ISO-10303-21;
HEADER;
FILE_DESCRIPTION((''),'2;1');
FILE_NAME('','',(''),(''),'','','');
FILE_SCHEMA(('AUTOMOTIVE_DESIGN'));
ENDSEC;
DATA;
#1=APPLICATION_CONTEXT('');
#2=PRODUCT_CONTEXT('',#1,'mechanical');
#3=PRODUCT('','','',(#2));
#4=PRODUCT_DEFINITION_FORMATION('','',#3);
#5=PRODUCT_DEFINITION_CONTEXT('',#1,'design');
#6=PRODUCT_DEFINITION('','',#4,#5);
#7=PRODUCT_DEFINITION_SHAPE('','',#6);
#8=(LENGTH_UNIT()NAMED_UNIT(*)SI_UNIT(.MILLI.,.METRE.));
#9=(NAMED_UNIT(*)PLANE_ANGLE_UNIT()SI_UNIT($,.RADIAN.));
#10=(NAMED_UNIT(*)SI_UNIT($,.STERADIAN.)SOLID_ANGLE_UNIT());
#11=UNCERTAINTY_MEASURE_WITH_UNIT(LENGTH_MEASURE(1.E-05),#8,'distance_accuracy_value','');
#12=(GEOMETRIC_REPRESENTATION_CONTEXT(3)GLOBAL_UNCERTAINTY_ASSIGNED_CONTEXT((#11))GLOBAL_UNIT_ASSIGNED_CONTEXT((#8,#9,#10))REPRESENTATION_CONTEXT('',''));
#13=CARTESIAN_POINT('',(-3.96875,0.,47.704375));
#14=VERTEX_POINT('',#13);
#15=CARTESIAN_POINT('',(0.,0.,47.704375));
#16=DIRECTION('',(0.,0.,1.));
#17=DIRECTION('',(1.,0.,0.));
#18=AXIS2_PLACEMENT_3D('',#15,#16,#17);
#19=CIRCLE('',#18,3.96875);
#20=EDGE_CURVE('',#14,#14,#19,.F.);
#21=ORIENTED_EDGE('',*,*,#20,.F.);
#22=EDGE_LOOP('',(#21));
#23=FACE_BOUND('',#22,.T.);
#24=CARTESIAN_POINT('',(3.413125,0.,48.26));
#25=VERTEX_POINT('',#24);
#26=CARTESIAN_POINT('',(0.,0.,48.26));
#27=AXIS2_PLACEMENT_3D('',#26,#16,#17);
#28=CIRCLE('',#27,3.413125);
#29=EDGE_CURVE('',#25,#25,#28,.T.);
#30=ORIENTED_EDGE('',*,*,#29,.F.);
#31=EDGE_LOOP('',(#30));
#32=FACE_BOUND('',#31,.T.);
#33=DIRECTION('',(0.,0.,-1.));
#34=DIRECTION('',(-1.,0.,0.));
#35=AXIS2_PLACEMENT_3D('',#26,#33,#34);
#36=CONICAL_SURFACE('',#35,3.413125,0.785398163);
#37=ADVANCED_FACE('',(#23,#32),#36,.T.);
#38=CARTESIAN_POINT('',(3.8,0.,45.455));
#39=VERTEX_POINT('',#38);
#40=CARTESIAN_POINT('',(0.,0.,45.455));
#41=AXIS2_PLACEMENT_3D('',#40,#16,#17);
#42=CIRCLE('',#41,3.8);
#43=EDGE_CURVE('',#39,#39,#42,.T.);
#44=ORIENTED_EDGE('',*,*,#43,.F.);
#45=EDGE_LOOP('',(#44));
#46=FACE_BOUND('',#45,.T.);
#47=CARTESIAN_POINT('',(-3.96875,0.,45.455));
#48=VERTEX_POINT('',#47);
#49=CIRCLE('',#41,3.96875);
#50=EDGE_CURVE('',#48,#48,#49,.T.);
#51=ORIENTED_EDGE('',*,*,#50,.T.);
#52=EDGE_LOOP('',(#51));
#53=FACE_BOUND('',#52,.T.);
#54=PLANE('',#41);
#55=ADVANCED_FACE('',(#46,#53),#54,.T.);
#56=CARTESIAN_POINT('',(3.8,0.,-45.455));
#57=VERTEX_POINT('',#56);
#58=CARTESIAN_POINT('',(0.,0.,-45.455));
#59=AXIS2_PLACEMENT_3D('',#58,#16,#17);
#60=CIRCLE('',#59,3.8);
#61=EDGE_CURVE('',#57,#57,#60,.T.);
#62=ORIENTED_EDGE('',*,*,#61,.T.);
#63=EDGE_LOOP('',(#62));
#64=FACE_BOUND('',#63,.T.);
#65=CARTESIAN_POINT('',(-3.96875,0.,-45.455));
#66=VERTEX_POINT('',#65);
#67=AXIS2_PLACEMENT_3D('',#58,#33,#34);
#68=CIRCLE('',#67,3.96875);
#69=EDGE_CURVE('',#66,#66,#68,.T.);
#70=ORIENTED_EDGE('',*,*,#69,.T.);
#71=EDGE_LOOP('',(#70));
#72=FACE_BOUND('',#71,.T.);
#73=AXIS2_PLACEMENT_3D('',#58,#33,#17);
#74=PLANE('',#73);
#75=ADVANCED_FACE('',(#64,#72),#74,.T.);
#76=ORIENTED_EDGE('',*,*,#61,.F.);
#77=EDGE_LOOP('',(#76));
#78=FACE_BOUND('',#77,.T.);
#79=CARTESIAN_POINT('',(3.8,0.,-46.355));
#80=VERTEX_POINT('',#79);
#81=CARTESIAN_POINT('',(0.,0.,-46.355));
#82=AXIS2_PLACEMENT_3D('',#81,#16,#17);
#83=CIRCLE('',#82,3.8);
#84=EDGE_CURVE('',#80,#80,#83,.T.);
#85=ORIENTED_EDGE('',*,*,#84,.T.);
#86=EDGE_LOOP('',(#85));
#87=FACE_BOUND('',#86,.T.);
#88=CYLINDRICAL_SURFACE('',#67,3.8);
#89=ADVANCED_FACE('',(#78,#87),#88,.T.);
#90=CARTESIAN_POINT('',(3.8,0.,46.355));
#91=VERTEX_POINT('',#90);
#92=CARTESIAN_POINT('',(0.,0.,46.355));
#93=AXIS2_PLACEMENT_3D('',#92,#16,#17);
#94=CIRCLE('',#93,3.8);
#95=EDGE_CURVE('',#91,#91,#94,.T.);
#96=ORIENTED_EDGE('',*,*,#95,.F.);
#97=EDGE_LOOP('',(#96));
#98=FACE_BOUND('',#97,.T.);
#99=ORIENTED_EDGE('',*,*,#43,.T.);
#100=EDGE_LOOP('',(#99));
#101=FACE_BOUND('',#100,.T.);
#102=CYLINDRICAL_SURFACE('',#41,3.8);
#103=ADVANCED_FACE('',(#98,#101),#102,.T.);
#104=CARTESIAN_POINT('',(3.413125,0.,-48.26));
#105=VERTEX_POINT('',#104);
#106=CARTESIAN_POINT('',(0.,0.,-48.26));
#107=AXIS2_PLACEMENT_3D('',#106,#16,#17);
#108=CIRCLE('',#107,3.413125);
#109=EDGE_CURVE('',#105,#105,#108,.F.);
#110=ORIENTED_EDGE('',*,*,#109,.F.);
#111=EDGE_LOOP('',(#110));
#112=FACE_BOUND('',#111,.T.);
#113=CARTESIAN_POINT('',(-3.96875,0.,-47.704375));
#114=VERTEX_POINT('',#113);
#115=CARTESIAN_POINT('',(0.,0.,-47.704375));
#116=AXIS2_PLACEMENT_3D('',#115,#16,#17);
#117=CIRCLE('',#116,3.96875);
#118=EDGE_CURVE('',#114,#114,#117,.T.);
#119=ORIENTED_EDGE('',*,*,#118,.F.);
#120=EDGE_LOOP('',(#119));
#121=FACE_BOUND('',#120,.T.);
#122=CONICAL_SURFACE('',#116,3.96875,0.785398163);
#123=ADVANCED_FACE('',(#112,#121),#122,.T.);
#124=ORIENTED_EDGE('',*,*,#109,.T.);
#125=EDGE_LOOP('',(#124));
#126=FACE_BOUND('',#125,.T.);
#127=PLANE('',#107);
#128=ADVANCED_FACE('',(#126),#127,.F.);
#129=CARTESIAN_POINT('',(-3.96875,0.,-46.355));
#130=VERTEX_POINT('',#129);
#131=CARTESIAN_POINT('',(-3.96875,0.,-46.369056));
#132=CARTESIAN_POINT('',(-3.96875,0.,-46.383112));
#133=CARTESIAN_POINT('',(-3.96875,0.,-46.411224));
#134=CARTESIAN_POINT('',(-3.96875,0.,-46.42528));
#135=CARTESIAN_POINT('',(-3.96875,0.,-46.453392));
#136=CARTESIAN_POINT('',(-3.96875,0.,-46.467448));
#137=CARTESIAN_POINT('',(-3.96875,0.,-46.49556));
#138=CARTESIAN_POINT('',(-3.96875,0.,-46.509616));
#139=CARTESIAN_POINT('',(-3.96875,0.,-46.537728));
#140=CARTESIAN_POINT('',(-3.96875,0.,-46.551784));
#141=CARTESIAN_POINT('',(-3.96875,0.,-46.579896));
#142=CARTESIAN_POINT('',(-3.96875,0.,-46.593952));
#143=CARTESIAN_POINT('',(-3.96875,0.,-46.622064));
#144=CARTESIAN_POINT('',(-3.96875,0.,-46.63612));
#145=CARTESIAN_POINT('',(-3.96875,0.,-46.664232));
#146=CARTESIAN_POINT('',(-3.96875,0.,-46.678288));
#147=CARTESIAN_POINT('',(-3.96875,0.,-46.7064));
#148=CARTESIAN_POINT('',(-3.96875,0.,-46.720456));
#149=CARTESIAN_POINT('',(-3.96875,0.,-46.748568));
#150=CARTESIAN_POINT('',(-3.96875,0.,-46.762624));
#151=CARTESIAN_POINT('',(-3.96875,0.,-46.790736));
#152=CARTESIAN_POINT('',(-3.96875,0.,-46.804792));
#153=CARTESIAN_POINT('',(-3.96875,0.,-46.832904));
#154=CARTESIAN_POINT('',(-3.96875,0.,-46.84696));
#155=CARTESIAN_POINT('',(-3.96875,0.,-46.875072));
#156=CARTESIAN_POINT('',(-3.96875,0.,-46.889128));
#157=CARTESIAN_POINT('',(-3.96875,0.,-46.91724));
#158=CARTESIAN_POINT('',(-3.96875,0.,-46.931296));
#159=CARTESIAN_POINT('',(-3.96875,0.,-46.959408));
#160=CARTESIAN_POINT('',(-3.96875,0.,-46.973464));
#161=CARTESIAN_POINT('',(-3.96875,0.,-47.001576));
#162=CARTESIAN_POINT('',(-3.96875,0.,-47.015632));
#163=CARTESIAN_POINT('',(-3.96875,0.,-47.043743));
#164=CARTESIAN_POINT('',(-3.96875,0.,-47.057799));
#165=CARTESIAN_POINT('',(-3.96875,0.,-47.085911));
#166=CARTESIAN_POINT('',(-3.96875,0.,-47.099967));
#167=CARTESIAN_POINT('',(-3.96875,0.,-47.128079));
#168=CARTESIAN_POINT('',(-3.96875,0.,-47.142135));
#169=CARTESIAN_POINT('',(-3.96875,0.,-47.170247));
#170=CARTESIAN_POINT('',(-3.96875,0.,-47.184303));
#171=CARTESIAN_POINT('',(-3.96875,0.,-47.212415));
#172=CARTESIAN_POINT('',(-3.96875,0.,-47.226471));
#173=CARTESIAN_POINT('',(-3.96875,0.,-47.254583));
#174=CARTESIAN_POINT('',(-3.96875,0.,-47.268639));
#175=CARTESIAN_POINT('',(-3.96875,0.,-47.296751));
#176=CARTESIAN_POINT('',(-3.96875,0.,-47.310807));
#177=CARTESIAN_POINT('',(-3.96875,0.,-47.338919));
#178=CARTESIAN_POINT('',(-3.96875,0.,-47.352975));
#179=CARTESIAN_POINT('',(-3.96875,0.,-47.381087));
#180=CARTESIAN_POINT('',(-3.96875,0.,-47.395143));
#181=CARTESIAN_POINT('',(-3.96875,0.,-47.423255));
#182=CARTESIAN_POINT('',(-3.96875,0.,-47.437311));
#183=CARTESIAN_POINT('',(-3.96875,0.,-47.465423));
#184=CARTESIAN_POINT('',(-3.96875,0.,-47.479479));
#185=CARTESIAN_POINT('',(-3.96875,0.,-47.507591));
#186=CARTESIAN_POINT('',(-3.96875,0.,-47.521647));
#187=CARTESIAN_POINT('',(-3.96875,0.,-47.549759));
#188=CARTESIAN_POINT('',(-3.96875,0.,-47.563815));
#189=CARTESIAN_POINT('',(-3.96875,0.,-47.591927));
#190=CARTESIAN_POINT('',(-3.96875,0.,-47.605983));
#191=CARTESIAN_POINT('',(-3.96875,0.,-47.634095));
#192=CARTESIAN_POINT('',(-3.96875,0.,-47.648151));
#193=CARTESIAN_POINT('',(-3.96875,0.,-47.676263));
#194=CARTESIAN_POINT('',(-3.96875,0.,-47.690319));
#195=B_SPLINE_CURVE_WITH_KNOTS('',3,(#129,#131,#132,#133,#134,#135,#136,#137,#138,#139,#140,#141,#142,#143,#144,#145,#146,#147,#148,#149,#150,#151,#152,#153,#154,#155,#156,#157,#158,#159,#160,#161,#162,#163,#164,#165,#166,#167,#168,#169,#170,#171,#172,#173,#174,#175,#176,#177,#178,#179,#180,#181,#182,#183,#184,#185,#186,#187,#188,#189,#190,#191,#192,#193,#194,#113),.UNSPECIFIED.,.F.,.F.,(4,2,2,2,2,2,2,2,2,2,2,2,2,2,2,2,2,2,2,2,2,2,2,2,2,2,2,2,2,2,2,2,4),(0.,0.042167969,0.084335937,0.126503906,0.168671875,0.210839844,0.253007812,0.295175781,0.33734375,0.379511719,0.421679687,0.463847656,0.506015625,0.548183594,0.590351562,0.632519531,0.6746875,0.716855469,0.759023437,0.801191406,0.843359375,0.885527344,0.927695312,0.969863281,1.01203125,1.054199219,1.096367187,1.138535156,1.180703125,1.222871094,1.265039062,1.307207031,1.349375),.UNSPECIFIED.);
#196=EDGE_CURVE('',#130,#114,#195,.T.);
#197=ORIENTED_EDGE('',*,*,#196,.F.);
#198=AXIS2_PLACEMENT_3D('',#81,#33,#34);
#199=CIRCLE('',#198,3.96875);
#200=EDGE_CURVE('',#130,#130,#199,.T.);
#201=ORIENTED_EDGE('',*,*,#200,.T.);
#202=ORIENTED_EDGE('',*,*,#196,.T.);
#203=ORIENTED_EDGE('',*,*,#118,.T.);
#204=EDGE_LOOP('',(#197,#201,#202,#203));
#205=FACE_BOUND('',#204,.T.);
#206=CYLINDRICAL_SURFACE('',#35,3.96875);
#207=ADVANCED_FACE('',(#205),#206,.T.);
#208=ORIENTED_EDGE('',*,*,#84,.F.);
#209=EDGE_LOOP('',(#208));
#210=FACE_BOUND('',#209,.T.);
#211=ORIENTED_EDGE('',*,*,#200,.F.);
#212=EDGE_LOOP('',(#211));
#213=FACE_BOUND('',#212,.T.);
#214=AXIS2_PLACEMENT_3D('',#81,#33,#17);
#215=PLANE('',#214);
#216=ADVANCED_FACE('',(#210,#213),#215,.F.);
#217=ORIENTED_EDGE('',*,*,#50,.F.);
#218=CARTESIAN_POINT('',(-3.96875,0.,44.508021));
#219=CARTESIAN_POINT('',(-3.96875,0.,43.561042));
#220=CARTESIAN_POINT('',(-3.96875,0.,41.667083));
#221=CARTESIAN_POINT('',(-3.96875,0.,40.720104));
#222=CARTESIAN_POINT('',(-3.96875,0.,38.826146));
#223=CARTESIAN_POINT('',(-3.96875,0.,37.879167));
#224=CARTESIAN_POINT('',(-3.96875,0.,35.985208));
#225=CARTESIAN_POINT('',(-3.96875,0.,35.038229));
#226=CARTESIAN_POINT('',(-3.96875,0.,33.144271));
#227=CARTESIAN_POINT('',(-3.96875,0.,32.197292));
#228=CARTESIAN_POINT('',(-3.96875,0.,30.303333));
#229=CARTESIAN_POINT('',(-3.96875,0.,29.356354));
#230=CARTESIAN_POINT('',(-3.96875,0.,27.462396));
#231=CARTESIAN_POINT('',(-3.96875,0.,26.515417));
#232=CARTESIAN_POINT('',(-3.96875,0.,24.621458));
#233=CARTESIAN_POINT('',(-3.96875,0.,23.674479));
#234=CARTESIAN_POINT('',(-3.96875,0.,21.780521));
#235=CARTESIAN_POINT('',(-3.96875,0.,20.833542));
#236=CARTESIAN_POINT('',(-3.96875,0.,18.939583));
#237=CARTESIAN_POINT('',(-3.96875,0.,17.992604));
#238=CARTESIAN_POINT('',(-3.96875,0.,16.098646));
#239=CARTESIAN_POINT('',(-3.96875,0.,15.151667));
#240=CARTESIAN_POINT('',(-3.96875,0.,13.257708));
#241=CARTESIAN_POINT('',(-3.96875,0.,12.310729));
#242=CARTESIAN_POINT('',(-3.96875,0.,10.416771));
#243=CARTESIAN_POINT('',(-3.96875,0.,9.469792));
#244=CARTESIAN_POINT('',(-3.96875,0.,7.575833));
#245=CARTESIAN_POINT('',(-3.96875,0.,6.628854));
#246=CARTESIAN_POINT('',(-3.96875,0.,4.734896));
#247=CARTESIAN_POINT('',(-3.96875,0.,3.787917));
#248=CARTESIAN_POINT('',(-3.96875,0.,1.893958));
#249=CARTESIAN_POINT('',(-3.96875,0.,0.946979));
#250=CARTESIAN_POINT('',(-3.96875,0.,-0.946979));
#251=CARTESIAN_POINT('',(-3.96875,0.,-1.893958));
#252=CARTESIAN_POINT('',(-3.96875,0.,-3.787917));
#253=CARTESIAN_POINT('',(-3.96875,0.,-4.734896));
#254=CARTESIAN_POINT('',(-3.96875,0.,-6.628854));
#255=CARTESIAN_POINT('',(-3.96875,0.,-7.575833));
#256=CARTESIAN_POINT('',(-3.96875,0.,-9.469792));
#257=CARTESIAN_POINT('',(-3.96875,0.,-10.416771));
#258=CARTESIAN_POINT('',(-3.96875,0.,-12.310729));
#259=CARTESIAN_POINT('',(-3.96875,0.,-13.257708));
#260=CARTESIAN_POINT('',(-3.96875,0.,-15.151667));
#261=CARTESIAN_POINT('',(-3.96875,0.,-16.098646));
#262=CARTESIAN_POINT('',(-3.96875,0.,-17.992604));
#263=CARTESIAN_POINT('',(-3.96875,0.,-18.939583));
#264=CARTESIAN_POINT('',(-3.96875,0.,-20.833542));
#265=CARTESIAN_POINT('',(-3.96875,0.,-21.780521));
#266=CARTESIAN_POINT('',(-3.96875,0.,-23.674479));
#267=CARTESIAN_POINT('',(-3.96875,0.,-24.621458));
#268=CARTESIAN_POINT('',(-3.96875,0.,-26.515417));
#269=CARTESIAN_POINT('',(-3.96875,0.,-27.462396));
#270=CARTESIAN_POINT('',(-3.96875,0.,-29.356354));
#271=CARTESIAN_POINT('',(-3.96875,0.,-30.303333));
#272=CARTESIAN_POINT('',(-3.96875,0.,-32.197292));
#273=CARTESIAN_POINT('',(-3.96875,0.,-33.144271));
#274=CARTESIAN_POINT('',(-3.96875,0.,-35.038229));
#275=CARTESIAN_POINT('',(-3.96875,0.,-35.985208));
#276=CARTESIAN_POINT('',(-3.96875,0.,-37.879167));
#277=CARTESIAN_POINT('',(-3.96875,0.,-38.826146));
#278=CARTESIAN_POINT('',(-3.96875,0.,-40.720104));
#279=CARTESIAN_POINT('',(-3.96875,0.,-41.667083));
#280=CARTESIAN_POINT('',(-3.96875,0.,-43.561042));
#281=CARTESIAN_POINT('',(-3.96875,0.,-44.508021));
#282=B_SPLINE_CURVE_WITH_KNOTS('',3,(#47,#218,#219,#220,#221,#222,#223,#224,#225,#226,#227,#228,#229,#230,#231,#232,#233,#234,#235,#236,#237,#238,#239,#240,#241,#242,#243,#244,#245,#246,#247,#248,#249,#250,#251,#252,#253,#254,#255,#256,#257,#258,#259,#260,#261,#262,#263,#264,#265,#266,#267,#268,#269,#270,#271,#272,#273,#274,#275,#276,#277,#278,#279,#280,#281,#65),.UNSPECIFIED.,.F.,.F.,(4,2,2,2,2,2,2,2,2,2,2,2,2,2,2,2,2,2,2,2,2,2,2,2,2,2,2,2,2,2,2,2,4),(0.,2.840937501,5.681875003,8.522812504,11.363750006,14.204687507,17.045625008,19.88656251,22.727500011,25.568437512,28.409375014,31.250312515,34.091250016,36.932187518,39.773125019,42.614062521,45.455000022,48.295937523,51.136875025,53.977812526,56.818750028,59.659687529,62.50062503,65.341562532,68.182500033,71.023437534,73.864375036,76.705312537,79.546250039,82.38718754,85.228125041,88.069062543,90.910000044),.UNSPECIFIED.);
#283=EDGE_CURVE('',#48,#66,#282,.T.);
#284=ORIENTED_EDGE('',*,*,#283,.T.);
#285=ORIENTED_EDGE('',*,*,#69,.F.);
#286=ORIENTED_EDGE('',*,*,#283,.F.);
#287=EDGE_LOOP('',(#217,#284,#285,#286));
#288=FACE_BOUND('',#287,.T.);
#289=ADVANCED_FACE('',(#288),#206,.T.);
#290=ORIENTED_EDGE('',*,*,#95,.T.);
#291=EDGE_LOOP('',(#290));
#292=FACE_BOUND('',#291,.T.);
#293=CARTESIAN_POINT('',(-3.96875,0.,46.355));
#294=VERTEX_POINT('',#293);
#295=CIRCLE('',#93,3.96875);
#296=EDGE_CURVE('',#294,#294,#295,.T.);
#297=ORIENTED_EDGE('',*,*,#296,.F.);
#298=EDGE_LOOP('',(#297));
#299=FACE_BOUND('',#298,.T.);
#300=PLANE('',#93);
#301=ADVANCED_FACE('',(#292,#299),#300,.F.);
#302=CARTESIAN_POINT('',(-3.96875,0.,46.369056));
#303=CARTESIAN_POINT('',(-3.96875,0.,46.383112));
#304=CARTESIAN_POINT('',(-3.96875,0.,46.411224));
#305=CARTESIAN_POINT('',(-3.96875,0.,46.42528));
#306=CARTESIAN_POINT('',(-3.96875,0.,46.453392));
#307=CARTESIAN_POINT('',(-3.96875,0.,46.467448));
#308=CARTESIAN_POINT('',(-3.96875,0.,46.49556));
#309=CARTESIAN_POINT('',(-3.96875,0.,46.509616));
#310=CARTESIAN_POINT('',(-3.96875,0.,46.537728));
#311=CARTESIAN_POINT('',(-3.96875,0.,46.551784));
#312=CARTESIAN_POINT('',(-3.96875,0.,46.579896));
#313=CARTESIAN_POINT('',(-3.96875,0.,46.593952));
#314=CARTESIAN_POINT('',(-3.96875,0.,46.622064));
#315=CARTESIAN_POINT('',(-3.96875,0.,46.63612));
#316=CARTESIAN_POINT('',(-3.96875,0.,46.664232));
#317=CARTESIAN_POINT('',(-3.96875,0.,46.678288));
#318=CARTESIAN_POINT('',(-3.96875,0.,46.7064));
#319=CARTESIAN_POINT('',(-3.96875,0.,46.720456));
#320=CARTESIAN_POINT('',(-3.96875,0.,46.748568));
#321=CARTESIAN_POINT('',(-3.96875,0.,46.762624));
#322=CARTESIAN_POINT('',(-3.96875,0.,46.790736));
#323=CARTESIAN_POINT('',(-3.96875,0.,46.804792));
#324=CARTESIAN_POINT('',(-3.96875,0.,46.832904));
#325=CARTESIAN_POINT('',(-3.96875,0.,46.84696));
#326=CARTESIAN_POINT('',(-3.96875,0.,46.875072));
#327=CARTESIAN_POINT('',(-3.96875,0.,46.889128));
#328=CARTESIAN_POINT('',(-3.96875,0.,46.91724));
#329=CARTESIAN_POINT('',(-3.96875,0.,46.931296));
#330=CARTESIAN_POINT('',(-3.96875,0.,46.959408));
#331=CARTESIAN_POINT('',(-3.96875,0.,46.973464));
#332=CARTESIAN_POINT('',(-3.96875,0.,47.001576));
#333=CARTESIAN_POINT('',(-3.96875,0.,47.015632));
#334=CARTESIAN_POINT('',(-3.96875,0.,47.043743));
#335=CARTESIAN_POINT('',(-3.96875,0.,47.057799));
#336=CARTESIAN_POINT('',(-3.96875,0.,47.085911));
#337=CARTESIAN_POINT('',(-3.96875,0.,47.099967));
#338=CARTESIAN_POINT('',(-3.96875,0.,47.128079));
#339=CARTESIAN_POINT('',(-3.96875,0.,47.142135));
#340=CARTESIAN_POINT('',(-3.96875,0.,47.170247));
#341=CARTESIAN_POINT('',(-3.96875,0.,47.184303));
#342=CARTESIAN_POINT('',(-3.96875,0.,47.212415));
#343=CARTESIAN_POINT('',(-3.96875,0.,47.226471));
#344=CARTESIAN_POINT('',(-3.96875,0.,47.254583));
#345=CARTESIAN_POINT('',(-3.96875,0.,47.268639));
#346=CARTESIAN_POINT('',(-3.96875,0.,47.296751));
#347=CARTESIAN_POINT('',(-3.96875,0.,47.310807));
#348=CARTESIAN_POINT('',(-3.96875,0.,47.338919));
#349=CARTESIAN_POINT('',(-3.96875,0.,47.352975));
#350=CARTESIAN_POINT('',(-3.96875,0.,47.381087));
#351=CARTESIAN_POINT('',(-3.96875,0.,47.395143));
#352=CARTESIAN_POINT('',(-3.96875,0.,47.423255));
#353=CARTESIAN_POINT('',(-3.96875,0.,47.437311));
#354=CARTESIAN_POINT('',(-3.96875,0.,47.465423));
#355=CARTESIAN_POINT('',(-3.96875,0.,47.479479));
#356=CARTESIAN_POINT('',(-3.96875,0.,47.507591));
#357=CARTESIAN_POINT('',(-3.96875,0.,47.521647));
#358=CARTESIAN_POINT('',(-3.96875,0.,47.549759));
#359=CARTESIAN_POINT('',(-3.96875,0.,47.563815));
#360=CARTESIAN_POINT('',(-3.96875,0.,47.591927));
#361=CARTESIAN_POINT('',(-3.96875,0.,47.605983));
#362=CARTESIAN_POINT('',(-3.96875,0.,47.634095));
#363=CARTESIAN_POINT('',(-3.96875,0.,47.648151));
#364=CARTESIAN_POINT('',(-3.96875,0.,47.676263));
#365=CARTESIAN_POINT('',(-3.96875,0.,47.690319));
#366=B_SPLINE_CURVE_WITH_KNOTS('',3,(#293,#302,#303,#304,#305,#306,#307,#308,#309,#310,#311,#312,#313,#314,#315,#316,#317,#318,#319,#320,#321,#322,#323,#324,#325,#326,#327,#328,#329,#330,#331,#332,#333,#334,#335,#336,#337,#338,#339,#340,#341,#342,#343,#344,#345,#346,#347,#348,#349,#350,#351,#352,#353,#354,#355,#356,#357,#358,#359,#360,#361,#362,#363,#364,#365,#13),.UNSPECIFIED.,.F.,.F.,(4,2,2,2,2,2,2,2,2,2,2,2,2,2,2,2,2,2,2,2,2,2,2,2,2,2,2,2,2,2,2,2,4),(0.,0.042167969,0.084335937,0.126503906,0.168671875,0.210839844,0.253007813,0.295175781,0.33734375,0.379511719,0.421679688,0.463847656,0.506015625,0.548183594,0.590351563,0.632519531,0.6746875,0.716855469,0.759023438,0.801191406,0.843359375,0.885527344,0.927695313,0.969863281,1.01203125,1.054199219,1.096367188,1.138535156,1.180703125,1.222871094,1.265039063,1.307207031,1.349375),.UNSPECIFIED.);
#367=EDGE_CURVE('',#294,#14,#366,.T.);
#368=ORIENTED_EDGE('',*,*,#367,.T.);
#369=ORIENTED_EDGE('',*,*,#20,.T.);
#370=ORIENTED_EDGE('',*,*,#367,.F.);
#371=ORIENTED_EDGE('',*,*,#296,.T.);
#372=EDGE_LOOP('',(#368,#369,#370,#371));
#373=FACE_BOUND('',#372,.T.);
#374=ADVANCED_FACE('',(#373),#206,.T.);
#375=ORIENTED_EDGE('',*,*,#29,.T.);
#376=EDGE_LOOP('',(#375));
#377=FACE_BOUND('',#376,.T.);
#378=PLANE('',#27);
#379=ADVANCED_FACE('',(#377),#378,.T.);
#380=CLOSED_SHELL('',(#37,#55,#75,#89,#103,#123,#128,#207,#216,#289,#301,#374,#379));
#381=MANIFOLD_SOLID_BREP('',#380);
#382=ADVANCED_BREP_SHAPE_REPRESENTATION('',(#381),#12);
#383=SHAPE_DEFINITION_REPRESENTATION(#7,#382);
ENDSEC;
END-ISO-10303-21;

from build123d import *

# Parameters (mm, degrees)
BOSS_EXTRUDE1_DEPTH      = 48.26
BOSS_EXTRUDE1_DEPTH_BACK = 48.26
SKETCH3_R                = 3.96875
CHAMFER1_SIZE            = 0.555625
CUT_EXTRUDE1_START       = -1.905
SKETCH4_R                = 18.115105144
SKETCH4_R_2              = 3.8
CUT_EXTRUDE1_DEPTH       = 0.899999978


with BuildPart() as part:
    # Sketch3 → Boss-Extrude1 (new, two sides: drawn at the far end of the back side and taken through both)
    with BuildSketch(Plane.XY.offset(-BOSS_EXTRUDE1_DEPTH_BACK)):
        with Locations(Location((0, 0, 0), (0, 0, 180))):
            Circle(SKETCH3_R)
    extrude(amount=BOSS_EXTRUDE1_DEPTH + BOSS_EXTRUDE1_DEPTH_BACK)

    # Chamfer1
    chamfer1_edges = [part.edges().sort_by_distance(p)[0] for p in [
        (3.96875, 0, -48.26),
        (3.96875, 0, 48.26),
    ]]
    chamfer(chamfer1_edges, length=CHAMFER1_SIZE)

    # Sketch4 → Cut-Extrude1 (cut)
    with BuildSketch(Plane.XY.offset(48.26).offset(CUT_EXTRUDE1_START)):
        Circle(SKETCH4_R)
        Circle(SKETCH4_R_2, mode=Mode.SUBTRACT)
    cut_extrude1 = extrude(amount=-CUT_EXTRUDE1_DEPTH, mode=Mode.SUBTRACT)

    # Mirror1: Cut-Extrude1 across plane
    add(cut_extrude1.mirror(Plane.XY), mode=Mode.SUBTRACT)


solid = part.part
